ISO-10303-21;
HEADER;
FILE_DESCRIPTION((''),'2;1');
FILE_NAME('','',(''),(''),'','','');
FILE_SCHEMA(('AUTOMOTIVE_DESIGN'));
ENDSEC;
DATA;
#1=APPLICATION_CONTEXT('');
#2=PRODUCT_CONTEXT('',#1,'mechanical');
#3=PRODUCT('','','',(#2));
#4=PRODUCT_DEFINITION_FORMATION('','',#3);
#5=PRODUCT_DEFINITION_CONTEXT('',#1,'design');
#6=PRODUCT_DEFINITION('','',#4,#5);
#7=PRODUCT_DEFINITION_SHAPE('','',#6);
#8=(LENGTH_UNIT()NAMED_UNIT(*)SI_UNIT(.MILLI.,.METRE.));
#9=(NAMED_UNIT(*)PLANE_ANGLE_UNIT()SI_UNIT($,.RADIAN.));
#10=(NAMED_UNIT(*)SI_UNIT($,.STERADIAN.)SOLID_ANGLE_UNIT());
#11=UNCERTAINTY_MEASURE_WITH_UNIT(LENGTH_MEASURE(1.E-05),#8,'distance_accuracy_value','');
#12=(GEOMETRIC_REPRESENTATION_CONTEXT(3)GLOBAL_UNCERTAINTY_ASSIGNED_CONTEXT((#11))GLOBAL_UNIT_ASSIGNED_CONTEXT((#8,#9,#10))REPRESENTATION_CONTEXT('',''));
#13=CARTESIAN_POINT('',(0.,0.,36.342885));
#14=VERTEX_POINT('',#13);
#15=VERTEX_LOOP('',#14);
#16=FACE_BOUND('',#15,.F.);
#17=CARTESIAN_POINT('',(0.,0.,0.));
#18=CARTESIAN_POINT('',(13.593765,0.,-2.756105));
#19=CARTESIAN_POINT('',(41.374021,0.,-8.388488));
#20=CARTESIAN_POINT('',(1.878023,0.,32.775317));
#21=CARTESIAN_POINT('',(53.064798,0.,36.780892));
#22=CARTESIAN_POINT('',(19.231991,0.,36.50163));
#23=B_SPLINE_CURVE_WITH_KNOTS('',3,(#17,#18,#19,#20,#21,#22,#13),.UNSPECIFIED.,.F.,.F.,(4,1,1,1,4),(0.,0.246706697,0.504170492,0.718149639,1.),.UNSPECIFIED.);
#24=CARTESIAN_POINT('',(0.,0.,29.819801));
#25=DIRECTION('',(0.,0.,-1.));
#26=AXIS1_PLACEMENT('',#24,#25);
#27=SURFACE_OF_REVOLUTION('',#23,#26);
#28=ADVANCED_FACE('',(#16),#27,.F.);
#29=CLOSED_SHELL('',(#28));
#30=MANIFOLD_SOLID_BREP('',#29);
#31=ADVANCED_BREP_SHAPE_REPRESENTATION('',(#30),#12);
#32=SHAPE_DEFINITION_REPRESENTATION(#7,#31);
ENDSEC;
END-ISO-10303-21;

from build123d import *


with BuildPart() as f1:
    # F0 (on Front) → F1 (revolve)
    with BuildSketch(Plane.XZ):
        with BuildLine():
            add(Edge.make_bspline(
                [(0, 0), (13.593765102, -2.7561046671), (41.3740212585, -8.3884878273), (1.8780227917, 32.7753165562), (53.064797932, 36.7808922762), (19.2319912931, 36.5016298578), (0, 36.3428853452)],
                knots=[0, 0, 0, 0, 0.2467066972, 0.5041704923, 0.7181496387, 1, 1, 1, 1], degree=3))
            Line((0, 36.3428853452), (0, 6.5230834298))
            Line((0, 6.5230834298), (0, 0))
        make_face()
    revolve(axis=Axis((0, 0, 29.8198012169), (0, 0, -1)))


solid = f1.part
